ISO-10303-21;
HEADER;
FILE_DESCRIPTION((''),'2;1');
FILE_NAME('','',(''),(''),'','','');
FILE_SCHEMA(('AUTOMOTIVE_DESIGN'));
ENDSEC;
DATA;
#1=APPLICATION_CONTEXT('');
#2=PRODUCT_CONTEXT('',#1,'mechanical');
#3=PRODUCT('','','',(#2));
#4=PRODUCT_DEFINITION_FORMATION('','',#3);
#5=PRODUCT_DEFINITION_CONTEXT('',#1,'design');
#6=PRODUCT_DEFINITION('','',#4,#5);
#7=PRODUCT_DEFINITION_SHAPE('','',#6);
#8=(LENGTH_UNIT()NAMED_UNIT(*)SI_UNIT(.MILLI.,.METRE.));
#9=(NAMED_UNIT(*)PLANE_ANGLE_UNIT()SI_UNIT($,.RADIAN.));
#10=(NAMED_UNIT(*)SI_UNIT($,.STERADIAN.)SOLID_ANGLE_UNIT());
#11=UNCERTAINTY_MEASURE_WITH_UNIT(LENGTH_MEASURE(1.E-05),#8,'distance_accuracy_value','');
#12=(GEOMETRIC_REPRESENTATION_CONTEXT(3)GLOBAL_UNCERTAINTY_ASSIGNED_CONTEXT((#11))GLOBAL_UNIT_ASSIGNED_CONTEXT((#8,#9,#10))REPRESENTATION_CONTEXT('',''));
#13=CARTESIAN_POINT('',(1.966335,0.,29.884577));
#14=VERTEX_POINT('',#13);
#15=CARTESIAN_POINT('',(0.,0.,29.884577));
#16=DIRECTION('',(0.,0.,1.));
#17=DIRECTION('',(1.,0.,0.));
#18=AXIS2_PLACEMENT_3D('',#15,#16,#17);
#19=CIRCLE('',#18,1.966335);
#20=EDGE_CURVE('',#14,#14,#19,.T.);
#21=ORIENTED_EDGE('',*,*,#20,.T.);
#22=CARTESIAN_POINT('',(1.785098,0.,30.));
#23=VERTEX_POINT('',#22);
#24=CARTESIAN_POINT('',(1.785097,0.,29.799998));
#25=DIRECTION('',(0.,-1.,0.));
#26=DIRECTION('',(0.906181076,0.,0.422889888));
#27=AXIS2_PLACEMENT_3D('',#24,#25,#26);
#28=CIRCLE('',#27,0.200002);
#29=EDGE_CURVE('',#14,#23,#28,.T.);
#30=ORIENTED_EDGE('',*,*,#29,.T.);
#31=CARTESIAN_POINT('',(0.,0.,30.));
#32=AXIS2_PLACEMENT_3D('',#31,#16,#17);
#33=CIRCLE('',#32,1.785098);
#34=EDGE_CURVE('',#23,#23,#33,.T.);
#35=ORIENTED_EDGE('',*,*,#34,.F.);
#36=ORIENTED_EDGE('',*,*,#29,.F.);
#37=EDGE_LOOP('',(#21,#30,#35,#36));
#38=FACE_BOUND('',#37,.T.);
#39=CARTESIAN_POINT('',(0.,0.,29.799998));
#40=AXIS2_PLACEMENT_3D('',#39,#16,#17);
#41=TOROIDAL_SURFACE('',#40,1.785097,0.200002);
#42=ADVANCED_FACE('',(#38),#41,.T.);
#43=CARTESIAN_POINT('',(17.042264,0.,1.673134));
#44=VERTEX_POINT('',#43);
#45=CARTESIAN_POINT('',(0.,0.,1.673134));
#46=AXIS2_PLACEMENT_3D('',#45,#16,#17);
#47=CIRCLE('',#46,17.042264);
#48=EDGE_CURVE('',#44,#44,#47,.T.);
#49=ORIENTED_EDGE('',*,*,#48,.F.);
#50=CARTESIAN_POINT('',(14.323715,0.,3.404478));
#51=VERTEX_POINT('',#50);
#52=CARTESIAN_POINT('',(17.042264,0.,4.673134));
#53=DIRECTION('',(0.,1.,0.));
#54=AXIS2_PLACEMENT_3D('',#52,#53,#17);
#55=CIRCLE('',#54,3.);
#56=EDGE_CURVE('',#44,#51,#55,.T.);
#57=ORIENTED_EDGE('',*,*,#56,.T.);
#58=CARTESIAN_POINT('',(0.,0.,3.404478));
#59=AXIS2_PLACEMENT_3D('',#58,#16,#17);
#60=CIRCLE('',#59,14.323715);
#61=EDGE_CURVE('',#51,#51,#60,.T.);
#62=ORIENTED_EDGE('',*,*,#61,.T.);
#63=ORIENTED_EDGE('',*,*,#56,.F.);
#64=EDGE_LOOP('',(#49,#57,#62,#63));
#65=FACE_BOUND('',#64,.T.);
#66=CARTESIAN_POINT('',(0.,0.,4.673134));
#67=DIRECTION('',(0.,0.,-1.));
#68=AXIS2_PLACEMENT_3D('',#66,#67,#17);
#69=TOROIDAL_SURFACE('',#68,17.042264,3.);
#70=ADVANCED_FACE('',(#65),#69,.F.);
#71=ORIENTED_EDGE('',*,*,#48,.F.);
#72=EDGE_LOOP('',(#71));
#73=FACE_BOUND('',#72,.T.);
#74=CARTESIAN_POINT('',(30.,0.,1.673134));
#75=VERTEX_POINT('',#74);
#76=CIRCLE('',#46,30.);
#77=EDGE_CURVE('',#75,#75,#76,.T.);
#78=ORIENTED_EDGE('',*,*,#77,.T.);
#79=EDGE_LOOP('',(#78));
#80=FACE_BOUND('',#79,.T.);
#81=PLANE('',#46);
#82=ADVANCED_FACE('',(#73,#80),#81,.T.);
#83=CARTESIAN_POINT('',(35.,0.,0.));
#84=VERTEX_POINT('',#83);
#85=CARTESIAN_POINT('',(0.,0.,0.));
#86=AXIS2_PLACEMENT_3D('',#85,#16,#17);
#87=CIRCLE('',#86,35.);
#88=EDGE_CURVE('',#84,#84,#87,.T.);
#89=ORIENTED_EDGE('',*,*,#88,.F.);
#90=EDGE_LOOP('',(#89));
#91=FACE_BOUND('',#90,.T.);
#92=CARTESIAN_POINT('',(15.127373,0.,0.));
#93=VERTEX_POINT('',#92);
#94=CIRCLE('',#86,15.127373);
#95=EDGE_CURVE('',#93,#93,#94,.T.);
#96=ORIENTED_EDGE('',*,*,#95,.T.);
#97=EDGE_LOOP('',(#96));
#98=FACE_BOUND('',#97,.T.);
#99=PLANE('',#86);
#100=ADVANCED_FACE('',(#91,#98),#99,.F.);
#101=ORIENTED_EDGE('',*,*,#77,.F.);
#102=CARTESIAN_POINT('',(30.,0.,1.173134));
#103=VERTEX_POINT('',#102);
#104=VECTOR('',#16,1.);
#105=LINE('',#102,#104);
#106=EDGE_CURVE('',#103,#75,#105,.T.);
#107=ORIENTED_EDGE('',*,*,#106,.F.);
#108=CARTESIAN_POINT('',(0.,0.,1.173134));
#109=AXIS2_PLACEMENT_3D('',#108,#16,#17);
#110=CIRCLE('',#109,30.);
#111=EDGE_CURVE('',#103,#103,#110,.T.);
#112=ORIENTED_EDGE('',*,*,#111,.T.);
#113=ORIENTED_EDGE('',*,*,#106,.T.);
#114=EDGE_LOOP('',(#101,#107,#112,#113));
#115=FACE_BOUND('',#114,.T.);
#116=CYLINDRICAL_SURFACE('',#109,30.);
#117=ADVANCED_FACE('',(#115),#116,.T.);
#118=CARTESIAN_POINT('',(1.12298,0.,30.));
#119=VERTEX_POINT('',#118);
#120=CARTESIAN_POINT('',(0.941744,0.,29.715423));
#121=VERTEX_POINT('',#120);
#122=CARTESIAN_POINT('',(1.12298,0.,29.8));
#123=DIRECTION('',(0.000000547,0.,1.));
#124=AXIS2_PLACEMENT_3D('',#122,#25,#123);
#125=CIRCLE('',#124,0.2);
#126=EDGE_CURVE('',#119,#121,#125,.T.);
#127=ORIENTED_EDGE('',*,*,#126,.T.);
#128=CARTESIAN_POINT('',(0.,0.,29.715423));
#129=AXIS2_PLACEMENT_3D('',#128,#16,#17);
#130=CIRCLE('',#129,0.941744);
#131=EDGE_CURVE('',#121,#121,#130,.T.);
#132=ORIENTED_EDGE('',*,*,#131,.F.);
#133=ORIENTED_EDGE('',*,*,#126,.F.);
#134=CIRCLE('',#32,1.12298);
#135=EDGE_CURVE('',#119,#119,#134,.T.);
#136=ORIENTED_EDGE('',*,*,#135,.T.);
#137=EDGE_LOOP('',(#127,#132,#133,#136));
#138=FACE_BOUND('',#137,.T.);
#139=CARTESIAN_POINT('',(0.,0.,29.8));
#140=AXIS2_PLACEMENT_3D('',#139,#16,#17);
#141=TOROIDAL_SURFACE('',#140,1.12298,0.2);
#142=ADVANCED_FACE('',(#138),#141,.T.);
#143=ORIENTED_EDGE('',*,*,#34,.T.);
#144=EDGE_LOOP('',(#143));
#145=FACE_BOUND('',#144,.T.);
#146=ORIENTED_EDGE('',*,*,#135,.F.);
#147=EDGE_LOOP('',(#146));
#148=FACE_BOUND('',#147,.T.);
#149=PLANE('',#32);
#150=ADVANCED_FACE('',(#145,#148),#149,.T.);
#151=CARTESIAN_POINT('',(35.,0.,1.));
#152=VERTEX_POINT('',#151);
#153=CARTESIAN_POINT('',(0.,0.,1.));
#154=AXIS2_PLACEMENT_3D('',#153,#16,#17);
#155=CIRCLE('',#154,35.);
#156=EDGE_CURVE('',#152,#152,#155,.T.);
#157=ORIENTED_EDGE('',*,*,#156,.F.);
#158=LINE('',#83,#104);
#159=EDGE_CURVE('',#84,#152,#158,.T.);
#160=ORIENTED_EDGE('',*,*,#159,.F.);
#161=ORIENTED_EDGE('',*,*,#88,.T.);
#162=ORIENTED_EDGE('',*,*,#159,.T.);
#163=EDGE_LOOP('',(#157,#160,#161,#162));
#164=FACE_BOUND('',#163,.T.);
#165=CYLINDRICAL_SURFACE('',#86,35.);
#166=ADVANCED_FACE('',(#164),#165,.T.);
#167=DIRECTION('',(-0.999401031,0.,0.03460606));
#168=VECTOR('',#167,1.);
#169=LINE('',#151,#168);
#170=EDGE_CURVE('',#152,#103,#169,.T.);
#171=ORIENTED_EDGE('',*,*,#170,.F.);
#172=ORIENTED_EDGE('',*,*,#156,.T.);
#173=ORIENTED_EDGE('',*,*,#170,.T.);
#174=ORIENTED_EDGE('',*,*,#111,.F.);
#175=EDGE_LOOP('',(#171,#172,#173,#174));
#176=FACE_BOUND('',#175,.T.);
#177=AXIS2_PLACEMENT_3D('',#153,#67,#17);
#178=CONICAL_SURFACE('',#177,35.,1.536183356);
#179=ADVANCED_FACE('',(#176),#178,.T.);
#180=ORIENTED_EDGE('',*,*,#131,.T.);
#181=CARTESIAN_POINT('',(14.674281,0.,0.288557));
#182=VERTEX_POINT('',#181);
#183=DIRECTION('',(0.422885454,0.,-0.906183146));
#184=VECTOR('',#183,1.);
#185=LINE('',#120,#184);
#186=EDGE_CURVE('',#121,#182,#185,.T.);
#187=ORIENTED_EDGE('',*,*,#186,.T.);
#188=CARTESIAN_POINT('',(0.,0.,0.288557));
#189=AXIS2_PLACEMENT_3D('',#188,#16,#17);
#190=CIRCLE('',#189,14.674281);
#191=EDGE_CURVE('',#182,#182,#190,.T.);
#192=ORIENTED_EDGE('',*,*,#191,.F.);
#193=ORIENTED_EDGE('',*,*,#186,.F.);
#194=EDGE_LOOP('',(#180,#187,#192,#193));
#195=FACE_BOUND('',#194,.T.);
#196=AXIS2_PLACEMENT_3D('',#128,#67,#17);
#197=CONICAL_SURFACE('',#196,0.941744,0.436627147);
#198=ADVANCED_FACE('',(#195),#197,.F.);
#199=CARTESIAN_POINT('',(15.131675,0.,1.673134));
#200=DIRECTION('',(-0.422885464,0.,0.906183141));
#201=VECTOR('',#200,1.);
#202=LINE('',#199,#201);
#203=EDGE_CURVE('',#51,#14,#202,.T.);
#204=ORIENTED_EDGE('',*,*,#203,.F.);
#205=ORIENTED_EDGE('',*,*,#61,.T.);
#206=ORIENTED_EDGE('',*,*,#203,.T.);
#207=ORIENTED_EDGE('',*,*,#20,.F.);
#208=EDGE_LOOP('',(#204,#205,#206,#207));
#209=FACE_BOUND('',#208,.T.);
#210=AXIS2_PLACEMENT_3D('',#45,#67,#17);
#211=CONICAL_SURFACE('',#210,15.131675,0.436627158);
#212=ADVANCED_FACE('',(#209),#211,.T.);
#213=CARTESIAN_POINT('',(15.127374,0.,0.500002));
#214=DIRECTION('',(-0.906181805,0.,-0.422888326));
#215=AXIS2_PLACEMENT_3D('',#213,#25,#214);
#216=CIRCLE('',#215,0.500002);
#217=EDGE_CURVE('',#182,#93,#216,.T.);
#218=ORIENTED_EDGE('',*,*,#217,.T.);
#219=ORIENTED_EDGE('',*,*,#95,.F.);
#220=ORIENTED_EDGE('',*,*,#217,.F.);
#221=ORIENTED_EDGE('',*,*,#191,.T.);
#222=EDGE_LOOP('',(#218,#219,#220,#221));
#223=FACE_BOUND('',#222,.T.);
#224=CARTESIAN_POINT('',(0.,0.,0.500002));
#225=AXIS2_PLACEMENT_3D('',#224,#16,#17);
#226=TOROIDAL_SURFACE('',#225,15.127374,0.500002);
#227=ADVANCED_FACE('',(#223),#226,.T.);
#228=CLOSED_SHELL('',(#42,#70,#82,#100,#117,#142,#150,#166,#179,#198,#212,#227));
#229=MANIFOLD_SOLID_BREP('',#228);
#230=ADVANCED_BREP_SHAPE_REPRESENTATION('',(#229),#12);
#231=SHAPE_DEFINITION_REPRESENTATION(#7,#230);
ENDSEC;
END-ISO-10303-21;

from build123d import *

# Parameters (mm, degrees)
F2_R = 3


with BuildPart() as f1:
    # F0 (on Front) → F1 (revolve)
    with BuildSketch(Plane.XZ):
        with BuildLine():
            ThreePointArc((14.674281, 0.288557), (14.858785, 0.078265), (15.127373, 0))
            Line((15.127373, 0), (35, 0))
            Line((35, 0), (35, 1))
            Line((35, 1), (30, 1.173134))
            Line((30, 1.173134), (30, 1.673134))
            Line((30, 1.673134), (15.131675, 1.673134))
            Line((15.131675, 1.673134), (1.966335, 29.884577))
            ThreePointArc((1.966335, 29.884577), (1.892533, 29.968694), (1.785098, 30))
            Line((1.785098, 30), (1.12298, 30))
            ThreePointArc((1.12298, 30), (0.954286, 29.907435), (0.941744, 29.715423))
            Line((0.941744, 29.715423), (14.674281, 0.288557))
        make_face()
    revolve(axis=Axis((0, 0, 16.256472), (0, 0, 1)))

    # F2
    f2_edges = [f1.edges().sort_by_distance(p)[0] for p in [
        (-15.131675, 0, 1.673134),
    ]]
    fillet(f2_edges, radius=F2_R)


solid = f1.part
